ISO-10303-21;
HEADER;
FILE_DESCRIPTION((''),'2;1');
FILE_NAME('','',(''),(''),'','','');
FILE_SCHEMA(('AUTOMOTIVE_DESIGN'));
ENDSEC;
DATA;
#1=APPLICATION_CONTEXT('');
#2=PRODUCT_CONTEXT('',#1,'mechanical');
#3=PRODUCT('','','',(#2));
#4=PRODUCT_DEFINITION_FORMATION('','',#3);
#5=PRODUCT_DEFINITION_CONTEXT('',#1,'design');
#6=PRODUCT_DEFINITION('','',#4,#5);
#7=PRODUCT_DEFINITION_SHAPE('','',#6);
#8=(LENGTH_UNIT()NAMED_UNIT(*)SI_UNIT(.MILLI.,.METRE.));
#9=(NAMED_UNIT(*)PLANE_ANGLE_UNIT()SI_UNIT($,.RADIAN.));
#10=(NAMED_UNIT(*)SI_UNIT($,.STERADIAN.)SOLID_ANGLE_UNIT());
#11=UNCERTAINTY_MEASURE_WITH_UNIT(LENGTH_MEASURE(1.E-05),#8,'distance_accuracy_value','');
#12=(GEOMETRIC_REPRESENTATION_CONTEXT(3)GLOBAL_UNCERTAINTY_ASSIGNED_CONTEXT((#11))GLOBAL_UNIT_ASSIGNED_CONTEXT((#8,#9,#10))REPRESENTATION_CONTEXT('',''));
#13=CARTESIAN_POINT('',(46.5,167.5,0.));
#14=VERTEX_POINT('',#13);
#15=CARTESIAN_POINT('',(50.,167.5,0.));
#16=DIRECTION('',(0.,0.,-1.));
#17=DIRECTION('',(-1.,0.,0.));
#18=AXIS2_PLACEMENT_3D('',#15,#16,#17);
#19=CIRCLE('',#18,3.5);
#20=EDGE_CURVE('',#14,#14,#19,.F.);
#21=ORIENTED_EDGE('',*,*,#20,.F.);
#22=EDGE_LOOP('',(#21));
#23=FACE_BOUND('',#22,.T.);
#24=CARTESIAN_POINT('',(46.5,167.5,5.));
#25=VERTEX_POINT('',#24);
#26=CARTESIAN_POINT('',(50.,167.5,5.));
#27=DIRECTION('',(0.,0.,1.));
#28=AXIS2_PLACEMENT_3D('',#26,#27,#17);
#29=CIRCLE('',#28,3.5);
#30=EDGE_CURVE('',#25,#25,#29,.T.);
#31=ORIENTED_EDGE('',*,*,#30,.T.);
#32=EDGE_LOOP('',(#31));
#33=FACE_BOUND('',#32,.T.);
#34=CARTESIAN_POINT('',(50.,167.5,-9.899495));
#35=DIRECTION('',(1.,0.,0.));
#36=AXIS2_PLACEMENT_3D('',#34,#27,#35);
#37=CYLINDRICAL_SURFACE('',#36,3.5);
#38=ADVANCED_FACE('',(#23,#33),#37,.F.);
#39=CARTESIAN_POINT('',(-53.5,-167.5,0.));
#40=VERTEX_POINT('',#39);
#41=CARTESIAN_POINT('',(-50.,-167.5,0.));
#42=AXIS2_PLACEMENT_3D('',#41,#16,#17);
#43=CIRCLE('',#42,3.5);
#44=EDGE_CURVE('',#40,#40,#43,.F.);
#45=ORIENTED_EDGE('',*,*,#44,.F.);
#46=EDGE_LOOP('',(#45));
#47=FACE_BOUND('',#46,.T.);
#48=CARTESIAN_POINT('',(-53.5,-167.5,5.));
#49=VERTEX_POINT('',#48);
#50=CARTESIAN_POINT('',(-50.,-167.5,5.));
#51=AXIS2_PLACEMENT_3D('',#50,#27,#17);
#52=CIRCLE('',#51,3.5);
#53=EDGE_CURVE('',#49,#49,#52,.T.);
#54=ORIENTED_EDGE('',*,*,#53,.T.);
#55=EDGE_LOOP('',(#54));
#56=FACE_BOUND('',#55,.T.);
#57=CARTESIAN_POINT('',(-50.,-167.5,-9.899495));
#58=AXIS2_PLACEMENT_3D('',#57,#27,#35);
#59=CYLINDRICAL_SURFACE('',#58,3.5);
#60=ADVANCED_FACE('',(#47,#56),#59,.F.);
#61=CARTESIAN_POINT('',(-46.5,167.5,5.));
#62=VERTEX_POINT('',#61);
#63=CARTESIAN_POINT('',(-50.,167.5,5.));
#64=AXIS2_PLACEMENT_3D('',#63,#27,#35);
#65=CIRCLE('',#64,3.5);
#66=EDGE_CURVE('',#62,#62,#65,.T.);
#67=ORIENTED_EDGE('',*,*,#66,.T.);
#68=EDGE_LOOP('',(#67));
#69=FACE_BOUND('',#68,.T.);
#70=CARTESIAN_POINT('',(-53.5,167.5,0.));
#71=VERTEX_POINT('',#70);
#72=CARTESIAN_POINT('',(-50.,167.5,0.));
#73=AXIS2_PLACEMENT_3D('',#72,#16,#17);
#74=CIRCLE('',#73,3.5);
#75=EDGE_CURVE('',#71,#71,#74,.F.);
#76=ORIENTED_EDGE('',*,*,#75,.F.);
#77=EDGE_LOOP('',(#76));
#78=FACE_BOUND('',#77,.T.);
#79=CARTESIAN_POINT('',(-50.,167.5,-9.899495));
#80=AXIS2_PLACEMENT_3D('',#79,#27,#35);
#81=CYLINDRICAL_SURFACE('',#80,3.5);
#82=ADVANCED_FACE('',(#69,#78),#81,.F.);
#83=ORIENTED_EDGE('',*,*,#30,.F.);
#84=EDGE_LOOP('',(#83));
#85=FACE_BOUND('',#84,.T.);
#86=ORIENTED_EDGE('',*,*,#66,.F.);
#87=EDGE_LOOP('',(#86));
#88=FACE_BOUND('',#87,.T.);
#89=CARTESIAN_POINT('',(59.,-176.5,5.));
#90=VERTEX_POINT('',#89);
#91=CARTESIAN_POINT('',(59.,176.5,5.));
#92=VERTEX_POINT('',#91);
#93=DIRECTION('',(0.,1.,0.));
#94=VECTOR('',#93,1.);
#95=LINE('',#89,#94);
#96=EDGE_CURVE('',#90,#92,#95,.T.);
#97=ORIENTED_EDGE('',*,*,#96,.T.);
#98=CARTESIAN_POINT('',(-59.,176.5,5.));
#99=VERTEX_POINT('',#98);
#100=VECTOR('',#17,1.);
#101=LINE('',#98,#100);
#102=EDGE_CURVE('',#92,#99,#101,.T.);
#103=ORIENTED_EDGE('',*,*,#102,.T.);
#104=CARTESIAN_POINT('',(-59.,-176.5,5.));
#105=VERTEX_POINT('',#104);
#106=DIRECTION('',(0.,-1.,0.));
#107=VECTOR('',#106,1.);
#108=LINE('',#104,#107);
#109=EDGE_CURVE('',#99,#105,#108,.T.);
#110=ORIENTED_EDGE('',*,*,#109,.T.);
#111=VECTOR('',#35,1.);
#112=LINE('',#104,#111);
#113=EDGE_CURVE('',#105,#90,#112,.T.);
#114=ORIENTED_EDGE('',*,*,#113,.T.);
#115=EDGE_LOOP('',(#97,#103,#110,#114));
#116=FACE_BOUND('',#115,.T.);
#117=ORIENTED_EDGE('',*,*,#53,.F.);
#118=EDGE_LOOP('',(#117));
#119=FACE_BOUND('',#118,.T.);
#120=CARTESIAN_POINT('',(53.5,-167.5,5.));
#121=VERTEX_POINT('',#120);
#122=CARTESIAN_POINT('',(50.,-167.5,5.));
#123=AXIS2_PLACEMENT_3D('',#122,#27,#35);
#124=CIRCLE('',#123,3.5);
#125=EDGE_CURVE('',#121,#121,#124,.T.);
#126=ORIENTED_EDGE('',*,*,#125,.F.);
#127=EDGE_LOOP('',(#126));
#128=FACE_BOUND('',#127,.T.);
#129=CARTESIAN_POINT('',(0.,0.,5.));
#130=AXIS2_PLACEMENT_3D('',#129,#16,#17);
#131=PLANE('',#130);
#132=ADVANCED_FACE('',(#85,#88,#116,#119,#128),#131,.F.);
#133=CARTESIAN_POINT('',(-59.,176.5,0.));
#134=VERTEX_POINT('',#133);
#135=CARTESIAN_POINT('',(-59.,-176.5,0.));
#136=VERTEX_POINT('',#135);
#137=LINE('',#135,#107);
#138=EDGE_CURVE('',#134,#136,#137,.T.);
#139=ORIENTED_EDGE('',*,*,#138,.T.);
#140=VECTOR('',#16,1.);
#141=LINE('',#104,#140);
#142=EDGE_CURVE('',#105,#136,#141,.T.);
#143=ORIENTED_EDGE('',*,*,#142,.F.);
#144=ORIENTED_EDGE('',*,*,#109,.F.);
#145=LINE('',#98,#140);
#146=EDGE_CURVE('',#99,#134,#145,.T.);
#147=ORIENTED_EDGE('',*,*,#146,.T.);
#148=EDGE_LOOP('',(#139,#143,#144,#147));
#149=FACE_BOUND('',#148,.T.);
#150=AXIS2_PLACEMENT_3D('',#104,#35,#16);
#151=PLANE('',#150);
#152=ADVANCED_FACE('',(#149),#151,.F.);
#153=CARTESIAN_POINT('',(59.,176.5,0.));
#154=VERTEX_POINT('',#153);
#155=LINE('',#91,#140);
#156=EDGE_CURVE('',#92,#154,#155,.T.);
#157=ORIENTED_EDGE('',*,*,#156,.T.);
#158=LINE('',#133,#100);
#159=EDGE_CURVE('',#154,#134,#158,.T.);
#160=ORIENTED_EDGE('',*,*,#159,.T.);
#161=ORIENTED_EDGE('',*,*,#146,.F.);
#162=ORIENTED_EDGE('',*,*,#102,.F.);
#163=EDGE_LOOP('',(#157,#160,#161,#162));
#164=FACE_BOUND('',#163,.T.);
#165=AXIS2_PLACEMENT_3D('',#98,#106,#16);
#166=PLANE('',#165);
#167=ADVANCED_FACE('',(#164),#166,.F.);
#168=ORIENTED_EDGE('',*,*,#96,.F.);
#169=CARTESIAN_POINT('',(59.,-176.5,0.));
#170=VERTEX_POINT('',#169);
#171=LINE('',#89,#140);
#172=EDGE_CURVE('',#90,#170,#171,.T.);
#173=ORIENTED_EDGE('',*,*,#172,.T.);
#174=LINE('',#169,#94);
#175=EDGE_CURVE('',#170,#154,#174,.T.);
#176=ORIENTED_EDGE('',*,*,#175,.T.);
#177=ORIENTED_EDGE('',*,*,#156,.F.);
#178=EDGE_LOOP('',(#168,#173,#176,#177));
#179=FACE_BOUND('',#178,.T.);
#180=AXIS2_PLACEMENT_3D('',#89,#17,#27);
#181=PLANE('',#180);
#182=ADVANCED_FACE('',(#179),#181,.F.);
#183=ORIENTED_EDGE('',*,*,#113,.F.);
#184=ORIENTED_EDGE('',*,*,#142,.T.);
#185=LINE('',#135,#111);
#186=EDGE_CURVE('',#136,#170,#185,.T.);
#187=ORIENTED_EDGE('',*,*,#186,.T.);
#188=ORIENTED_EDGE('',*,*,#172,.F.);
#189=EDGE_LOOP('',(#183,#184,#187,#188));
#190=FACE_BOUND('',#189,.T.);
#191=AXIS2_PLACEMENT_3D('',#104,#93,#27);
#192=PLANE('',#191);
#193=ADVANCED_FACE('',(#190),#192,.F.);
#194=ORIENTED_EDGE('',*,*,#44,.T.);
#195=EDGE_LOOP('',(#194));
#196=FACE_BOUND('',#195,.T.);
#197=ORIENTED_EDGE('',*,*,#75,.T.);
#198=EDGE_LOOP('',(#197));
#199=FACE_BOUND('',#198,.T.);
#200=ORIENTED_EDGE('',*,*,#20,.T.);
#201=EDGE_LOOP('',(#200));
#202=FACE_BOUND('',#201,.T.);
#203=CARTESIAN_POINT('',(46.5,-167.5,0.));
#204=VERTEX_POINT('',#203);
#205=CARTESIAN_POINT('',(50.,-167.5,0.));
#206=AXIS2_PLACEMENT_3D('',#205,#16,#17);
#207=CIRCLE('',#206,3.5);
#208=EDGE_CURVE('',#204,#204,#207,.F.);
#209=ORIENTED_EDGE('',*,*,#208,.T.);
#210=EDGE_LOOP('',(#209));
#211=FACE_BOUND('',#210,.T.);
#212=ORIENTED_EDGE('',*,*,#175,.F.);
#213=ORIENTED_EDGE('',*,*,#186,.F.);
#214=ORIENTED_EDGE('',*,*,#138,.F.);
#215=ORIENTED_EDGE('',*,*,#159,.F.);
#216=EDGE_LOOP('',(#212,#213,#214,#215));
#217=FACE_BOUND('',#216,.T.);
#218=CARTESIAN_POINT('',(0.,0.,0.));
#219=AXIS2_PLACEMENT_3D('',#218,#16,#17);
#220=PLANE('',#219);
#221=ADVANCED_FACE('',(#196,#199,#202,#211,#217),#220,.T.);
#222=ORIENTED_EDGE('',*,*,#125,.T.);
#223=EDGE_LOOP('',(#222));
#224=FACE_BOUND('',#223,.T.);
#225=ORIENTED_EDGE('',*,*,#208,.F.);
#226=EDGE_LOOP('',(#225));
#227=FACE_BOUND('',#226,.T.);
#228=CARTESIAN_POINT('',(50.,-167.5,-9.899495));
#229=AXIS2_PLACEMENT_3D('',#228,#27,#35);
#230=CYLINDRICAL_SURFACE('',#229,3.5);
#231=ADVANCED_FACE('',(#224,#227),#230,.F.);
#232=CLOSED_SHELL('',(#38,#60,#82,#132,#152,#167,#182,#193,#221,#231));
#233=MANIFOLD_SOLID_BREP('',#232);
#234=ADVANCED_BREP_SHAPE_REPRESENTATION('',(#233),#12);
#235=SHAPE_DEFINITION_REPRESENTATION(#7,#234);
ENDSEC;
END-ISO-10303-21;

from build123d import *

# Parameters (mm, degrees)
SKETCH_1_W          = 118
SKETCH_1_H          = 353
EXTRUDE_1_DEPTH     = 5
SKETCH_2_R          = 3.5
CUT_EXTRUDE_1_DEPTH = 5


with BuildPart() as part:
    # 草图1 → 凸台-拉伸1 (new body)
    with BuildSketch(Plane.XY):
        Rectangle(SKETCH_1_W, SKETCH_1_H)
    extrude(amount=EXTRUDE_1_DEPTH)

    # 草图2 → 切除-拉伸1 (cut)
    with BuildSketch(Plane.XY.offset(5)):
        with Locations((-50, 167.5)):
            Circle(SKETCH_2_R)
        with Locations(Location((50, 167.5, 0), (0, 0, 180))):
            Circle(SKETCH_2_R)
        with Locations((50, -167.5)):
            Circle(SKETCH_2_R)
        with Locations(Location((-50, -167.5, 0), (0, 0, 180))):
            Circle(SKETCH_2_R)
    extrude(amount=-CUT_EXTRUDE_1_DEPTH, mode=Mode.SUBTRACT)


solid = part.part
